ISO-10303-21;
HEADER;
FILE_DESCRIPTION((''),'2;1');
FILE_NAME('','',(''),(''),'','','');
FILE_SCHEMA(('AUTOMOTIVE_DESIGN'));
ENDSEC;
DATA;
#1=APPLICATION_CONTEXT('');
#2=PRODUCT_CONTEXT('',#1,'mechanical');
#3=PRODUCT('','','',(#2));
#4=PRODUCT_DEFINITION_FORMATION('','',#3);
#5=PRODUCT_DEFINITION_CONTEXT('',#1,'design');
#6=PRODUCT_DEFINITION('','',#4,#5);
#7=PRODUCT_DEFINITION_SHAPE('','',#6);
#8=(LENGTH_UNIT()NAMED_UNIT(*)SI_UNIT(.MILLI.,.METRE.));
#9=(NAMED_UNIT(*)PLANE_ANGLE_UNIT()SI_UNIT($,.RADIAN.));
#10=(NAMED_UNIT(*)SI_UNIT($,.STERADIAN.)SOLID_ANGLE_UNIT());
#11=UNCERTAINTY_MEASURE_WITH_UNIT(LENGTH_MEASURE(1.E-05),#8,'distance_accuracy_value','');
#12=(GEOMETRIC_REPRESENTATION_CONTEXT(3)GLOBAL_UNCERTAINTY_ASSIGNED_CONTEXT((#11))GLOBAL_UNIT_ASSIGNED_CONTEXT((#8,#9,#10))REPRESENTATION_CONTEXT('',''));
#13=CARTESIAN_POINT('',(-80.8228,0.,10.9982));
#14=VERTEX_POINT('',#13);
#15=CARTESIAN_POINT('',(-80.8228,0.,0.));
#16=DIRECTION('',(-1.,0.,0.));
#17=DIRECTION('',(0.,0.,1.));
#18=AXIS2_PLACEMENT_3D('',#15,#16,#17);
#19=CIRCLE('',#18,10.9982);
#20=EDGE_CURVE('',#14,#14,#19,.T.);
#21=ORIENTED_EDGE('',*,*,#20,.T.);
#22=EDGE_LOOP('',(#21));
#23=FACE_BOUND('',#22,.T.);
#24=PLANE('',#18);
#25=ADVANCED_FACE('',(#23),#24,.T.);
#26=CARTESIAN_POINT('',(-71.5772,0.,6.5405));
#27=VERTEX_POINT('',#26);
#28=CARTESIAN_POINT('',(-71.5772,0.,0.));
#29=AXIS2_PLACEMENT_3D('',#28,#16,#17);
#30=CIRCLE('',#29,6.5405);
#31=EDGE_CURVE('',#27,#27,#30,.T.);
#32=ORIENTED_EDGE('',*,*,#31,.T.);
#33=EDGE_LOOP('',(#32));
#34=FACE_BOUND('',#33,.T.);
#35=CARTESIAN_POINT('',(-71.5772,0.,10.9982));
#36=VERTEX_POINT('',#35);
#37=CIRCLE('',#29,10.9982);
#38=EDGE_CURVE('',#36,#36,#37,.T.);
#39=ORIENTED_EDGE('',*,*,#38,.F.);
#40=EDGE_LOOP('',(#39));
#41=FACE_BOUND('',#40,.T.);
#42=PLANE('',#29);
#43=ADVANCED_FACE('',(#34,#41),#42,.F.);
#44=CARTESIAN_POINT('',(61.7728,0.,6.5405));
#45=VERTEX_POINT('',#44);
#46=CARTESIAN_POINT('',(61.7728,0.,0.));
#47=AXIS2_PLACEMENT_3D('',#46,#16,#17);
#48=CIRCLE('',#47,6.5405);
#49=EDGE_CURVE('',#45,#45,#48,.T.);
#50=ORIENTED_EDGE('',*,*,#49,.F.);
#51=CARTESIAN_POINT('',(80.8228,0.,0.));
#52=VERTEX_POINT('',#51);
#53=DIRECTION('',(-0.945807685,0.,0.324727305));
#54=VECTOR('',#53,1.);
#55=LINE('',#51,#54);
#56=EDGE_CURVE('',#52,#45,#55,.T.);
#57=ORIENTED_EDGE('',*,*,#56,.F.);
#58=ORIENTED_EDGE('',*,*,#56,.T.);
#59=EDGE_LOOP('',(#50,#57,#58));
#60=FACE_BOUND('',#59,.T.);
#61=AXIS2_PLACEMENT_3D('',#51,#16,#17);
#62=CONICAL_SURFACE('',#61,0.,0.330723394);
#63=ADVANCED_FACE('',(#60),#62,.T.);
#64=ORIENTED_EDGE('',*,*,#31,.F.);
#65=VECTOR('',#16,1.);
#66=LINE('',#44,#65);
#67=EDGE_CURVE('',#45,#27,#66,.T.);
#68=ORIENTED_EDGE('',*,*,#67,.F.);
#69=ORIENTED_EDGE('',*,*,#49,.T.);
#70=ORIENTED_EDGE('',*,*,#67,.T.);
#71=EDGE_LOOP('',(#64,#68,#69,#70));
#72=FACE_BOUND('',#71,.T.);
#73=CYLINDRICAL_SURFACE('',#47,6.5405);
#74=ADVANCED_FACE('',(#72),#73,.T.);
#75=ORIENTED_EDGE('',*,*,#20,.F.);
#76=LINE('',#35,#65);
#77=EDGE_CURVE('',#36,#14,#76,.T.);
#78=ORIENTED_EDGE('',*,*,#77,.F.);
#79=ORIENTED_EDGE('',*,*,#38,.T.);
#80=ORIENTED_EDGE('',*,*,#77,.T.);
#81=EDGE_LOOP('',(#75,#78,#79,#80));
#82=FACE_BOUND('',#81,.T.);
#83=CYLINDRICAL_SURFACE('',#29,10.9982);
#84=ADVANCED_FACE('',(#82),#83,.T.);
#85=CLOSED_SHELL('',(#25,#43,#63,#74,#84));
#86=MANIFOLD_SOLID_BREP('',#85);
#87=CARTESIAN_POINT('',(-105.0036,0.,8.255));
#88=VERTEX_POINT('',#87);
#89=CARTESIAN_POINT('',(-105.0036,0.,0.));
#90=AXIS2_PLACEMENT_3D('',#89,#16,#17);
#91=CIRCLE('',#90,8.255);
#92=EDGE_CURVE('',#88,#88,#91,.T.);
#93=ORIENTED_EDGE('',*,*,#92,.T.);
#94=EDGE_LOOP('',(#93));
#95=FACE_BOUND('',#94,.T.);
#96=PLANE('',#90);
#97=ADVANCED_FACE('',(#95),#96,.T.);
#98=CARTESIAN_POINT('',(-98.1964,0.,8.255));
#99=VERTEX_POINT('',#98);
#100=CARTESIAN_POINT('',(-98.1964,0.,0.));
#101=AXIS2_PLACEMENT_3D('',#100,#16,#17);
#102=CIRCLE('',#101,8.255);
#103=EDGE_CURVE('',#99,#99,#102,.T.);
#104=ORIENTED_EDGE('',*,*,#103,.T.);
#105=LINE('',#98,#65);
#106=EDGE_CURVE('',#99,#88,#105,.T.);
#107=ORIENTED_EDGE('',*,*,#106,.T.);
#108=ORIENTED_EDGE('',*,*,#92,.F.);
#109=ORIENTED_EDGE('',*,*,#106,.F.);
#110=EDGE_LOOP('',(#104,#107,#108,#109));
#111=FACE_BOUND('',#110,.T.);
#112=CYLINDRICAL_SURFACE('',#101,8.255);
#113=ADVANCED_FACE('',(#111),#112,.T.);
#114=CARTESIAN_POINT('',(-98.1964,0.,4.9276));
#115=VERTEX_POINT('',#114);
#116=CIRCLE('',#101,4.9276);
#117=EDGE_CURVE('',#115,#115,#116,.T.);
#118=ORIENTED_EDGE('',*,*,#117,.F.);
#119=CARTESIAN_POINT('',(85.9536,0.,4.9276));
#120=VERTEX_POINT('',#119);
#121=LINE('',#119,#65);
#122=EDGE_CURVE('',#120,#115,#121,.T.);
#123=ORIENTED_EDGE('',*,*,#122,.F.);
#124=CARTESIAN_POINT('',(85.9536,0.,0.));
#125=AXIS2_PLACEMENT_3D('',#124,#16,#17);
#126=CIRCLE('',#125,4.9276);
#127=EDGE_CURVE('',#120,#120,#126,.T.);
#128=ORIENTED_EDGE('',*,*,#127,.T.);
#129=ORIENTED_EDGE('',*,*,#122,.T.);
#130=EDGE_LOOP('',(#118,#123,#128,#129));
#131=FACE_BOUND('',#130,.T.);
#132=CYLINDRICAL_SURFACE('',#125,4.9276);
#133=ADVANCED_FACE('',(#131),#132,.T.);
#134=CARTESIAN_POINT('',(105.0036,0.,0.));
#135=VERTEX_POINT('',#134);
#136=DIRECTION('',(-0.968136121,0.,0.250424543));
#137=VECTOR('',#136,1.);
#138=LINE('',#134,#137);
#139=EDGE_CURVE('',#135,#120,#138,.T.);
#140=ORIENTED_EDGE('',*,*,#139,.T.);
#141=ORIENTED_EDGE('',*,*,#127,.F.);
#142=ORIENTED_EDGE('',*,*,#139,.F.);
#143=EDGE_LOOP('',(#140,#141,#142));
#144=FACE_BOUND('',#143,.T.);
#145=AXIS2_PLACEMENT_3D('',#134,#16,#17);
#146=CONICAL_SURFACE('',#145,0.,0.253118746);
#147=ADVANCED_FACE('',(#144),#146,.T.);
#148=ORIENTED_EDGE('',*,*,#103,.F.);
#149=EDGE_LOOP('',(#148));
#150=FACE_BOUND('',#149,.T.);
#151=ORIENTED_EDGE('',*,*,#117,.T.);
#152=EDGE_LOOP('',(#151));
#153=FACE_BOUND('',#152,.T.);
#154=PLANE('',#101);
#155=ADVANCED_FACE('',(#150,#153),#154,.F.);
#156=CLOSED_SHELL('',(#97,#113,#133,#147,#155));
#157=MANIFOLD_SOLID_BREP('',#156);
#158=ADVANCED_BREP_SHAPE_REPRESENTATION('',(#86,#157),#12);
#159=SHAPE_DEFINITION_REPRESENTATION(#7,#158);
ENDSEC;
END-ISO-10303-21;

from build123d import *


with BuildPart() as f1:
    # F0 (on Front) → F1 (revolve)
    with BuildSketch(Plane.XZ):
        Polygon((-105.0036, 8.255), (-105.0036, 0), (105.0036, 0), (85.9536, 4.9276), (-98.1964, 4.9276), (-98.1964, 8.255), align=None)
    revolve(axis=Axis((0, 0, 0), (-1, 0, 0)))


with BuildPart() as f3:
    # F2 (on Front) → F3 (revolve)
    with BuildSketch(Plane.XZ):
        Polygon((-80.8228, 10.9982), (-80.8228, 0), (80.8228, 0), (61.7728, 6.5405), (-71.5772, 6.5405), (-71.5772, 10.9982), align=None)
    revolve(axis=Axis((0, 0, 0), (-1, 0, 0)))


solid = Compound([f1.part, f3.part])
